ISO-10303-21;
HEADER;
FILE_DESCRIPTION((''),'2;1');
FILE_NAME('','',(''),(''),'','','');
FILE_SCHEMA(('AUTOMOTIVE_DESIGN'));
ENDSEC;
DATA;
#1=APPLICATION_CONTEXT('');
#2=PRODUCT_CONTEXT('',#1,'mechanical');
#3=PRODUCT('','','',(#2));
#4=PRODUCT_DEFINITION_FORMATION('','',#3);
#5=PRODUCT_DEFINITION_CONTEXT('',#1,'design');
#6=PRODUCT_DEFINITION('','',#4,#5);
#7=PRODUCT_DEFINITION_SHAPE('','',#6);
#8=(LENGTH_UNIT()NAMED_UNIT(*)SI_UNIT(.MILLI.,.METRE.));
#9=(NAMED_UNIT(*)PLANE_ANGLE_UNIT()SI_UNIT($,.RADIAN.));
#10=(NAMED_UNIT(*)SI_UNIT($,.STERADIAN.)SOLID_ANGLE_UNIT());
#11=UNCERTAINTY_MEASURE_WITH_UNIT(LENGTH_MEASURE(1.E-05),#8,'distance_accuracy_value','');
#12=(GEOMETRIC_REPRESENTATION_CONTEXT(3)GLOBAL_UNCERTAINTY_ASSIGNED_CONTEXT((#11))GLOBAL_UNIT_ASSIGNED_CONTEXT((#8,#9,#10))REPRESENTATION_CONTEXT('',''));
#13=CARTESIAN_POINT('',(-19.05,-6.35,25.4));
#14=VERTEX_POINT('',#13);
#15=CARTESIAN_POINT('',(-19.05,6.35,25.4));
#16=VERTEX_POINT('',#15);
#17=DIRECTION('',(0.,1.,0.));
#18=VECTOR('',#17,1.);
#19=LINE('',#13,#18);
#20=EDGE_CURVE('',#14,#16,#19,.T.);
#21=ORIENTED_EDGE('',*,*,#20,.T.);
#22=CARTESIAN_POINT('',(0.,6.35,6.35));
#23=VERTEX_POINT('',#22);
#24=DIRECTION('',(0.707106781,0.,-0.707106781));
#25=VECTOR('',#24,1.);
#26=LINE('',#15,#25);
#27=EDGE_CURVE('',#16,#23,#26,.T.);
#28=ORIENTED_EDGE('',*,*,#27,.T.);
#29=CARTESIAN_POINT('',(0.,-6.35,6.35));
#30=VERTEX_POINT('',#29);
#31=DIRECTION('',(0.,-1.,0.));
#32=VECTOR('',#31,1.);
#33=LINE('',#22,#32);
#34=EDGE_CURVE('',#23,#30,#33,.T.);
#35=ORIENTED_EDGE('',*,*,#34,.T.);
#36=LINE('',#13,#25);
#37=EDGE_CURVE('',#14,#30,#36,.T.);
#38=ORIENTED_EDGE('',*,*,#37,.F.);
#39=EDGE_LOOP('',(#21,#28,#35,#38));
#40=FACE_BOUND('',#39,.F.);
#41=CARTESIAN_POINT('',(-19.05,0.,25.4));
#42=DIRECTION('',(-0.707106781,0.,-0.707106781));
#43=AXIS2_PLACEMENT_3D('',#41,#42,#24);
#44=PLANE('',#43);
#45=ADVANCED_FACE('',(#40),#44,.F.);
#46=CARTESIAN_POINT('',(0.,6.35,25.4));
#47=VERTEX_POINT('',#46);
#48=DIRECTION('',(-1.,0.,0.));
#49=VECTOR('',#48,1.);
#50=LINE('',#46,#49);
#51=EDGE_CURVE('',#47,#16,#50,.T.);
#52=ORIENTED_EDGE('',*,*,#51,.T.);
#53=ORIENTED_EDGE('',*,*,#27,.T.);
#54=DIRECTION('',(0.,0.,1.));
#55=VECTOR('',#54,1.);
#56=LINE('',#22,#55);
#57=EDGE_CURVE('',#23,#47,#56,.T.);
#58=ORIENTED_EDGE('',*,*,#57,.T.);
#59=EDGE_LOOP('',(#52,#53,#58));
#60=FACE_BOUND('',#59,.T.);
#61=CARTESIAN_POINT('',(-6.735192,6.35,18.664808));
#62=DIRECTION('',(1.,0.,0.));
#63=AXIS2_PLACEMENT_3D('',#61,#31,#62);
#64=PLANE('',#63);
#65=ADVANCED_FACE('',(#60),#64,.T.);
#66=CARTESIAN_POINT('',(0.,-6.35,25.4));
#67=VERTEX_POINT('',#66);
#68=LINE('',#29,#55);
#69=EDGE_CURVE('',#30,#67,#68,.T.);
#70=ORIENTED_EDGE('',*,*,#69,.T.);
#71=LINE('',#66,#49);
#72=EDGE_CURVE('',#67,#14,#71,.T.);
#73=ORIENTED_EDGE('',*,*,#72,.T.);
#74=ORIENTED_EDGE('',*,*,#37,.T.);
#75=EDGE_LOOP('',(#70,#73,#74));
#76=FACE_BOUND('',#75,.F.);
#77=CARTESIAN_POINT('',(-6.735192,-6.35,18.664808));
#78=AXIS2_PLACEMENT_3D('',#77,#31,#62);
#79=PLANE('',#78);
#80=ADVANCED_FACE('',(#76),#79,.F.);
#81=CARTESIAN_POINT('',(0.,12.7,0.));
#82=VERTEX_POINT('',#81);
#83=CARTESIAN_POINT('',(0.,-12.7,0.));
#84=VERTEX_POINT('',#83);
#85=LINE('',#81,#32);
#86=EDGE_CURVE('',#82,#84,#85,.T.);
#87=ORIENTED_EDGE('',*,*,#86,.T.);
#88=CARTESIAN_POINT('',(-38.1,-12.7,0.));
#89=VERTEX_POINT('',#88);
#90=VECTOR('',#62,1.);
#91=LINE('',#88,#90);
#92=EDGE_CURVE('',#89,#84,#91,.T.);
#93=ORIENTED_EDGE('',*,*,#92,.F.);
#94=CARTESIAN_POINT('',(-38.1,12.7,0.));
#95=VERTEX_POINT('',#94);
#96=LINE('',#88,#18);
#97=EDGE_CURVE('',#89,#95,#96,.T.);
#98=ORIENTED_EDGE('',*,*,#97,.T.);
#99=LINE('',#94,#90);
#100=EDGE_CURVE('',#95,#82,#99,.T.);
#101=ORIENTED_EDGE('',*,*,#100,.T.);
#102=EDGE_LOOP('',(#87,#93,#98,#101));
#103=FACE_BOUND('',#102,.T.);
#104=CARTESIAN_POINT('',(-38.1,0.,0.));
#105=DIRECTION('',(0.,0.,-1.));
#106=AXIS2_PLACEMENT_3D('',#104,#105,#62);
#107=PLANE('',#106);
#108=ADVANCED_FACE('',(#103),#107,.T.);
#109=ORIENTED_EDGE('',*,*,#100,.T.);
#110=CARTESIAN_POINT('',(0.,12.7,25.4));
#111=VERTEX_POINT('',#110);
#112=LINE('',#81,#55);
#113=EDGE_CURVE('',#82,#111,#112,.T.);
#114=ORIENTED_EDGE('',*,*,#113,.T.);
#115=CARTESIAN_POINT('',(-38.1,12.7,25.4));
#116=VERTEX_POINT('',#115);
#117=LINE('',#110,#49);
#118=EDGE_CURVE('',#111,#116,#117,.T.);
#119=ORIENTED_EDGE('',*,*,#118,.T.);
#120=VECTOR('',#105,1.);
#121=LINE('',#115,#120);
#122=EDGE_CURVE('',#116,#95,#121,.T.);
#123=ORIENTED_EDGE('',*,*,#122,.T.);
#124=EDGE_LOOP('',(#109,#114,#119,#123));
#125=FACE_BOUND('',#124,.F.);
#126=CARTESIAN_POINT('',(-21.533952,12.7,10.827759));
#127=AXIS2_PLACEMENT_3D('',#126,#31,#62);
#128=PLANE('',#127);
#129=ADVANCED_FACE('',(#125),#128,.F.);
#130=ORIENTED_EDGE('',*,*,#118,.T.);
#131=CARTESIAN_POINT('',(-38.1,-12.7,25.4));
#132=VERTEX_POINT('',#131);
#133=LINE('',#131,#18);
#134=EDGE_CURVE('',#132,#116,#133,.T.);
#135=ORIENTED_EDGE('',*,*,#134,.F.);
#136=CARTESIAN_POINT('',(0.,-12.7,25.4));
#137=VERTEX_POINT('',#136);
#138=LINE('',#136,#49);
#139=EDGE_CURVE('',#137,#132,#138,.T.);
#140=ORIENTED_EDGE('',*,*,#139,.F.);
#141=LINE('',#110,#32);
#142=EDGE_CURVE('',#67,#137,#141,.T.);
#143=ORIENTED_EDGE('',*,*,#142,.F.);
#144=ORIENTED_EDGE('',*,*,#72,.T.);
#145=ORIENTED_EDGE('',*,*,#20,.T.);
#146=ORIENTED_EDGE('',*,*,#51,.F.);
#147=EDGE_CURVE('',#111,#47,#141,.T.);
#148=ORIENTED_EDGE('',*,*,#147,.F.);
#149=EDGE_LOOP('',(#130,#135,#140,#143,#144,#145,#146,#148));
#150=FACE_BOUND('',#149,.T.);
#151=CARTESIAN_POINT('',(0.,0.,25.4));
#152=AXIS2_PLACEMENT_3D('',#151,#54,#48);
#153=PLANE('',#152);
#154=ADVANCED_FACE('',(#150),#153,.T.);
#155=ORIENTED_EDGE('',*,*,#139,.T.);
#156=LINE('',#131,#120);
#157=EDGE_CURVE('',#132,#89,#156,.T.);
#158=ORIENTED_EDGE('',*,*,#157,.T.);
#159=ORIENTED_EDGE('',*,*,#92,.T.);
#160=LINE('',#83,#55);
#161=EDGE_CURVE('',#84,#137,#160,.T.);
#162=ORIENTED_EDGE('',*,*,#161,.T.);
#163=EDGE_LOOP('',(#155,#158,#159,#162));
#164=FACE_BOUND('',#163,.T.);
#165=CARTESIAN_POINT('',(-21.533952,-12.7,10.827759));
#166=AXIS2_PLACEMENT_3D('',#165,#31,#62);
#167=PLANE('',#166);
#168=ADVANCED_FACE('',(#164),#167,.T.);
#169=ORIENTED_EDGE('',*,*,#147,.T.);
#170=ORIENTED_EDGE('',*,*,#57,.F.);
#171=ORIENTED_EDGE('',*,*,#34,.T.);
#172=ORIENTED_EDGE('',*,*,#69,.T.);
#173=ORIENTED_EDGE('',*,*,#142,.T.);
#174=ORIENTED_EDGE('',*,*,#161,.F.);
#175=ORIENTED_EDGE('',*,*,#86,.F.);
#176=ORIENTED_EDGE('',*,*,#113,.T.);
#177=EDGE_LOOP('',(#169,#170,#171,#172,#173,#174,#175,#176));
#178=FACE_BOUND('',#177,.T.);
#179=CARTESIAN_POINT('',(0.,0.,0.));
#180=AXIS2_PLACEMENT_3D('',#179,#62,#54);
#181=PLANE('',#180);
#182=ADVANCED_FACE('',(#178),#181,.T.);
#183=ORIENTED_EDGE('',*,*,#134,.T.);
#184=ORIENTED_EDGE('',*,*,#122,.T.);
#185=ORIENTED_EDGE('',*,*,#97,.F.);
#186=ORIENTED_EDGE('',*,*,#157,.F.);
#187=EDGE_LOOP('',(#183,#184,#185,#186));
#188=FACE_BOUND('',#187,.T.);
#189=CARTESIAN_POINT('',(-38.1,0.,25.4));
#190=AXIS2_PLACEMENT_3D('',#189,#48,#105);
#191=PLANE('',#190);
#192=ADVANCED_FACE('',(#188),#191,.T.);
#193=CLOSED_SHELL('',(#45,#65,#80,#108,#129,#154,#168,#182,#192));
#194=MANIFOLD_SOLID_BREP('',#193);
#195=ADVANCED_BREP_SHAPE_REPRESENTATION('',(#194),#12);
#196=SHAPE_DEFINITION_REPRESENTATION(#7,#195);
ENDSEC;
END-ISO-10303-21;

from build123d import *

# Parameters (mm, degrees)
F1_DEPTH = 12.7
F2_DEPTH = 6.35


with BuildPart() as f1:
    # F0 (on Front) → F1 (new body, symmetric)
    with BuildSketch(Plane.XZ):
        Polygon((-38.1, 0), (0, 0), (0, 6.35), (-19.05, 25.4), (-38.1, 25.4), align=None)
        Polygon((-19.05, 25.4), (0, 6.35), (0, 25.4), align=None)
    extrude(amount=F1_DEPTH, both=True)

    # F0 (on Front) → F2 (cut, symmetric)
    with BuildSketch(Plane.XZ):
        Polygon((-19.05, 25.4), (0, 6.35), (0, 25.4), align=None)
    extrude(amount=F2_DEPTH, both=True, mode=Mode.SUBTRACT)


solid = f1.part
